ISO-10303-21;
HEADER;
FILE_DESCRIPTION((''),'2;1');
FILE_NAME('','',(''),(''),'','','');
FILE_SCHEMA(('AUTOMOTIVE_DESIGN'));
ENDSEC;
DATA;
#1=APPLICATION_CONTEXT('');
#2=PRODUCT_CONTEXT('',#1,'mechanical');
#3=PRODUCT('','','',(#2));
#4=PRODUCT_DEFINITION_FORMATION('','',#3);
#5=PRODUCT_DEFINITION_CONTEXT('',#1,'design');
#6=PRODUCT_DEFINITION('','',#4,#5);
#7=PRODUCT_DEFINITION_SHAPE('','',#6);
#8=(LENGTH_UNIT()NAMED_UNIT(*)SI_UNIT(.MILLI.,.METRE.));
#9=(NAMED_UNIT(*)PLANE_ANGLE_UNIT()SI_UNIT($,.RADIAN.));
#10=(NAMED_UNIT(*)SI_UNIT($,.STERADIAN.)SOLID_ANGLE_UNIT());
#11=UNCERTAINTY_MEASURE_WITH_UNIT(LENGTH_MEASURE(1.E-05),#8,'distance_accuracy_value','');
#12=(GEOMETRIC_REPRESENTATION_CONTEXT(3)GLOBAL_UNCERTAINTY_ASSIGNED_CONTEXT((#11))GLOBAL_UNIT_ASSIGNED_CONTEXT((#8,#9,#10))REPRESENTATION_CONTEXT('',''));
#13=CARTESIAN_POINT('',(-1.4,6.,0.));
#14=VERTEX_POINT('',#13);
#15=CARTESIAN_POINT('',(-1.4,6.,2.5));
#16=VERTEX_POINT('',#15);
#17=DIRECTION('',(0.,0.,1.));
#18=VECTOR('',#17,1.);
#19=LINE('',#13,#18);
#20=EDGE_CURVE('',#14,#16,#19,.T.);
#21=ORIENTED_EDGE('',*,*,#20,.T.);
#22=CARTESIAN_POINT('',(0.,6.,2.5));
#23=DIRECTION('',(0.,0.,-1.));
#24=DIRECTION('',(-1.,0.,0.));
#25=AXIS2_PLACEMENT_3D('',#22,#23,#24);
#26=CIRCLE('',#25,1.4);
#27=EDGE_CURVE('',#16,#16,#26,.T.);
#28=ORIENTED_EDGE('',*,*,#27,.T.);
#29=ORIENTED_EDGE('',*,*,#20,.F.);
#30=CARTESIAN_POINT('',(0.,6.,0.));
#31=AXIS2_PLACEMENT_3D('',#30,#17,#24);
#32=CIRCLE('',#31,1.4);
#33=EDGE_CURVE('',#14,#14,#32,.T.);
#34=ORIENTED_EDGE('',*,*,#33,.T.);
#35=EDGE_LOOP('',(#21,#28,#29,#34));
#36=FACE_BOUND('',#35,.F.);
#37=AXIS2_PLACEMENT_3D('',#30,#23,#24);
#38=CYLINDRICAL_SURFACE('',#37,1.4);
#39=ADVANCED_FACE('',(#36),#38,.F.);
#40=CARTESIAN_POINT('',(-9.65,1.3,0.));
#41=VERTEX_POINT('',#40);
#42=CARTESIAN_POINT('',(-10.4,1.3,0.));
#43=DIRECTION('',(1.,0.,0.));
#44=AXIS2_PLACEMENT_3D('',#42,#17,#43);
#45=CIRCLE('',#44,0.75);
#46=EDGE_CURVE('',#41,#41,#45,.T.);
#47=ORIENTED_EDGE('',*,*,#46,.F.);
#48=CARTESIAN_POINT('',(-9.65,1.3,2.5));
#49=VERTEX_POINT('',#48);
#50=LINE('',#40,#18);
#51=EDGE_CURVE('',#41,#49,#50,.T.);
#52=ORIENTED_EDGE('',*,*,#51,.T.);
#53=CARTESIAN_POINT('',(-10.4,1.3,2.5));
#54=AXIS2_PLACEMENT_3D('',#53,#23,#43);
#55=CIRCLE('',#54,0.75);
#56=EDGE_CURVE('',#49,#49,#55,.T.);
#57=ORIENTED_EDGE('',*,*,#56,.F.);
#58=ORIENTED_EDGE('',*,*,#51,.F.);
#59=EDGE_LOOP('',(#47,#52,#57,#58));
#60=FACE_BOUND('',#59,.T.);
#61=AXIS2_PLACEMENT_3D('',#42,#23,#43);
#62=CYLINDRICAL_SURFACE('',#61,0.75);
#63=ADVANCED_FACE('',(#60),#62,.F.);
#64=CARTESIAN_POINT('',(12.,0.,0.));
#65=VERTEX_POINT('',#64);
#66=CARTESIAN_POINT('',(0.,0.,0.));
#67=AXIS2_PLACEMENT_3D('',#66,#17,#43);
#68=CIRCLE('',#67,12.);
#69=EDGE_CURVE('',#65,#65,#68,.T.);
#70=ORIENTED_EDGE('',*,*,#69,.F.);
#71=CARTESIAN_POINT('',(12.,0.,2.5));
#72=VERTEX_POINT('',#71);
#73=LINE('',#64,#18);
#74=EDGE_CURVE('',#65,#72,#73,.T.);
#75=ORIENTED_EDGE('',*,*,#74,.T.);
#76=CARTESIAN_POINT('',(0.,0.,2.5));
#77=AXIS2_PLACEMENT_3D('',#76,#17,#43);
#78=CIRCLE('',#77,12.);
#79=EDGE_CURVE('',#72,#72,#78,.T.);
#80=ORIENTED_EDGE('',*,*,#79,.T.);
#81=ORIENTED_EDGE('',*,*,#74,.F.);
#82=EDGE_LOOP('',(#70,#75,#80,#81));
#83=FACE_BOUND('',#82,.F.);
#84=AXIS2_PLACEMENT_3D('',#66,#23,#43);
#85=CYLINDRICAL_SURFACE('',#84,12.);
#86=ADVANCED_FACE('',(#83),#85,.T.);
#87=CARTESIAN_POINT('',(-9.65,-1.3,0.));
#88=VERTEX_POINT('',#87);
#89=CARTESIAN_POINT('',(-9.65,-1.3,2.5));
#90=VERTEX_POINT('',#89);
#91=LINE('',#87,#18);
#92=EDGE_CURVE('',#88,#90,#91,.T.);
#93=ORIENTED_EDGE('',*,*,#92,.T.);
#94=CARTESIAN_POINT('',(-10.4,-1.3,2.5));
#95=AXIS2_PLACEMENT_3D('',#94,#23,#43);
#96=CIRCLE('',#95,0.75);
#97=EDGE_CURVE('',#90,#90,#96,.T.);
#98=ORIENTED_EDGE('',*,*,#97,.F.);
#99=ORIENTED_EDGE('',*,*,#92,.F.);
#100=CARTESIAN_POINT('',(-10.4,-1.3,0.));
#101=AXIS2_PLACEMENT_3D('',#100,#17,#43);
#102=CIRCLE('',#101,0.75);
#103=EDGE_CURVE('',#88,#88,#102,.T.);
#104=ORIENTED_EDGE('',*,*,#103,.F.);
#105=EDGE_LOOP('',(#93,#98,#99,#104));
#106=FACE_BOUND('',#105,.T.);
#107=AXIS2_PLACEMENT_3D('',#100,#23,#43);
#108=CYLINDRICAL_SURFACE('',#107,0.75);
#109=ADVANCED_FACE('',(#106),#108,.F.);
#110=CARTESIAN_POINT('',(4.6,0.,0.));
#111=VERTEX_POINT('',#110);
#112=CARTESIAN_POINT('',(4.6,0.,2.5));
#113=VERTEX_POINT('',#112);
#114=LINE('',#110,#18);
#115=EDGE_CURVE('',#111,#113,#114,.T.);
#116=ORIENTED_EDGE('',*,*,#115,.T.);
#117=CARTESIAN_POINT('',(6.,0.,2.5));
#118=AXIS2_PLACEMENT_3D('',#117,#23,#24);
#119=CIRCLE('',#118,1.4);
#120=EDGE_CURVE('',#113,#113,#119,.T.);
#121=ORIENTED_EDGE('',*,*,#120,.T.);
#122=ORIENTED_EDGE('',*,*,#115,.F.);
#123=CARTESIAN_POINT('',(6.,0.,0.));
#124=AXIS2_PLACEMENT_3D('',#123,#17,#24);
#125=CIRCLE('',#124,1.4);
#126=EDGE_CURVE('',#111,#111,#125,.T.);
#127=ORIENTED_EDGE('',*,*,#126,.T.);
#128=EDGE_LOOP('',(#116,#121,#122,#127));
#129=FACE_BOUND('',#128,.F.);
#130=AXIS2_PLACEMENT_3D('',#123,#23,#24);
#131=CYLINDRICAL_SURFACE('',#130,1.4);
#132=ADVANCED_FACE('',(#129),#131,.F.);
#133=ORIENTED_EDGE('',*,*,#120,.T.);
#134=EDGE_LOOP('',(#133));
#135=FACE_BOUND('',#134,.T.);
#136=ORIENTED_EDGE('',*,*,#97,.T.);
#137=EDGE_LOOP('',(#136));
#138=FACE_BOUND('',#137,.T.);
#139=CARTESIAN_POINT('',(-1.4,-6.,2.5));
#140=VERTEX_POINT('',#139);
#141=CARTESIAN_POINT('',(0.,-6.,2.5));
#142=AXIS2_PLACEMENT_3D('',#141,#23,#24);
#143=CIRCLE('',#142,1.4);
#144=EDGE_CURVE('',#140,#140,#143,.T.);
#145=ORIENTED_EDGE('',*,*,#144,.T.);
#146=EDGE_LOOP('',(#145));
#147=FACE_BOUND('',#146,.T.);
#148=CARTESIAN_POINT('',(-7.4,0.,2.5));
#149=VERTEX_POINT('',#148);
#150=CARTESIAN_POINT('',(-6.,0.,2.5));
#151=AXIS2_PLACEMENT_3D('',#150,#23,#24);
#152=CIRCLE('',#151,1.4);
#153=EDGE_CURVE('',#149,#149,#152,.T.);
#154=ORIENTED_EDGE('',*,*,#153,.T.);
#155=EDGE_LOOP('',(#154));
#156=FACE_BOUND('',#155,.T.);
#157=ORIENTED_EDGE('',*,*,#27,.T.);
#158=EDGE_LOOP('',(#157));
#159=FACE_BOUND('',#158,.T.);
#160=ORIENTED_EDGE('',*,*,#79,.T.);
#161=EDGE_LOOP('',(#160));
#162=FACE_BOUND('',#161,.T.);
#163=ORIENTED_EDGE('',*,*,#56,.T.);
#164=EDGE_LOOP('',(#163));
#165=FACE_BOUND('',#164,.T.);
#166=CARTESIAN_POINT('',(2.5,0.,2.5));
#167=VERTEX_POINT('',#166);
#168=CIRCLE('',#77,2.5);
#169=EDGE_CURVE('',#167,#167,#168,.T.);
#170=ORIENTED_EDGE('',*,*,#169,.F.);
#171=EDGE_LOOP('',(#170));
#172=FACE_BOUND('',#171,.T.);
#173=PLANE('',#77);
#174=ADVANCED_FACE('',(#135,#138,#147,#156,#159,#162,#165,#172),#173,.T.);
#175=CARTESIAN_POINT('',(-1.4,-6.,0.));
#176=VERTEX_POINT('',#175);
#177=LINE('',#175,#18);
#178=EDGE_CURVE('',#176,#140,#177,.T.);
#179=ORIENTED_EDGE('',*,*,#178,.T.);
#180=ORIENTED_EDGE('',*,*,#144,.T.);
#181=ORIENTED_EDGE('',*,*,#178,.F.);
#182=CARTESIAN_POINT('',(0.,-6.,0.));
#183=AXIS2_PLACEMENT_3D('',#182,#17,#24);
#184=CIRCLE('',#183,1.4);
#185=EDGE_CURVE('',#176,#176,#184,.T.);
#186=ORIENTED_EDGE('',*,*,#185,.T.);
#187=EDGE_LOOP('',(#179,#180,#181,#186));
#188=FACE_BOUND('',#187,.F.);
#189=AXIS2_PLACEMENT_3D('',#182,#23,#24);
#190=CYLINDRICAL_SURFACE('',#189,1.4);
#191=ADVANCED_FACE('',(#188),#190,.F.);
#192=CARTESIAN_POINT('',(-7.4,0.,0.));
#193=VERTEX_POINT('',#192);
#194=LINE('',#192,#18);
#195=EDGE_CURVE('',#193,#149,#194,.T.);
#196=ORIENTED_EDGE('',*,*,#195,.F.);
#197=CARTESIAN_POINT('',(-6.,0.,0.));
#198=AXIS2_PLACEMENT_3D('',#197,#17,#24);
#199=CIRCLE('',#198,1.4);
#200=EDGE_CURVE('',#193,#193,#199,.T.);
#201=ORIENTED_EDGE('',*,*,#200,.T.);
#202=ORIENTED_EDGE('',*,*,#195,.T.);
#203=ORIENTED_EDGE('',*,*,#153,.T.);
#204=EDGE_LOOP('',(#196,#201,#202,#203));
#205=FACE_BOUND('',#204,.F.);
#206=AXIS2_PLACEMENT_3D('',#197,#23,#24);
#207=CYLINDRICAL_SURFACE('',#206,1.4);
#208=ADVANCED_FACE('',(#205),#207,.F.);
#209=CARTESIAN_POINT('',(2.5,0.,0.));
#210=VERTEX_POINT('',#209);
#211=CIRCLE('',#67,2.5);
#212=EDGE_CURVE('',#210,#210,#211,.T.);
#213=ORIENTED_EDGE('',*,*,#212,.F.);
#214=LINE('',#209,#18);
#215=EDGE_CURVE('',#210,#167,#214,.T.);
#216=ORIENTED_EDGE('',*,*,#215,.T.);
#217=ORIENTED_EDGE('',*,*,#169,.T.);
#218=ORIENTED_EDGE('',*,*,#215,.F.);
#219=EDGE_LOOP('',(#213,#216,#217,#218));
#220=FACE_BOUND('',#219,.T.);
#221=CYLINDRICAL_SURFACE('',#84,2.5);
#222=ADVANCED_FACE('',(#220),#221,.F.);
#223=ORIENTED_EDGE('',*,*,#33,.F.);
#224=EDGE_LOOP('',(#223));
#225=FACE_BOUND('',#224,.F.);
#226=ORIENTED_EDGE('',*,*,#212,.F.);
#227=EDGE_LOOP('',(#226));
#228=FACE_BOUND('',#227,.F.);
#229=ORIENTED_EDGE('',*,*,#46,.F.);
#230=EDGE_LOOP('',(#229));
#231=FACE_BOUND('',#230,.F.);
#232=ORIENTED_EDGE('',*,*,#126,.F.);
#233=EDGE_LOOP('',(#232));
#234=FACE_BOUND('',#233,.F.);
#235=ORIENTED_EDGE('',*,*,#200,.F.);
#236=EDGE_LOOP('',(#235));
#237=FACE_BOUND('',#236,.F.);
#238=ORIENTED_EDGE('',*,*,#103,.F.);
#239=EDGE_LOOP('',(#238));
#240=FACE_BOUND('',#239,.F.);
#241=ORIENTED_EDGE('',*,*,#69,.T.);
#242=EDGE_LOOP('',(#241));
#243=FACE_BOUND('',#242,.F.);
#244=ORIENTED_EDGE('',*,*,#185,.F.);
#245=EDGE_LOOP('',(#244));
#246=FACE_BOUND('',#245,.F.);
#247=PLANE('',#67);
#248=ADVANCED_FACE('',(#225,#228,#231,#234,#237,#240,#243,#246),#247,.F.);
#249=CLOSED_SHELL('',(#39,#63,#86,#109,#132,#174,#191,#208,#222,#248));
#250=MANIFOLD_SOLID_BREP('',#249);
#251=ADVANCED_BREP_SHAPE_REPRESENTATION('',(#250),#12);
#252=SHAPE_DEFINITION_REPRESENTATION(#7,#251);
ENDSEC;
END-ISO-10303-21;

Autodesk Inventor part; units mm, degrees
ref_plane "YZ Plane" through (0, 0, 0) normal (1, 0, 0) x (0, 1, 0)
ref_plane "XZ Plane" through (0, 0, 0) normal (0, 1, 0) x (-1, 0, 0)
ref_plane "XY Plane" through (0, 0, 0) normal (0, 0, 1) x (1, 0, 0)
sketch "Skizze1" plane through (0, 0, 0) normal (0, 0, 1) x (1, 0, 0)
  circle A0 centre (0, 0) radius 12
  circle A1 centre (0, 0) radius 2.5
  dimension "d0" = 24
  dimension "d1" = 5
extrude "Extrusion1" add sketch "Skizze1" along normal blind 2.5
sketch "Skizze2" plane through (0, 0, 0) normal (0, 0, 1) x (1, 0, 0)
  circle A0 centre (-10.4, -1.3) radius 0.75
  circle A1 centre (-10.4, 1.3) radius 0.75
  line L0 (-13.98, 0) -> (2.33, 0) projected
  line L1 (0, 2.87) -> (0, -2.87) projected
  point P0 (0, 0)
  dimension "d4" = 1.5
  dimension "d5" = 1.5
  dimension "d6" = 1.3
  dimension "d7" = 1.3
  dimension "d8" = 10.4
  dimension "d9" = 10.4
extrude "Extrusion2" cut sketch "Skizze2" along normal blind 6.75
sketch "Skizze3" plane through (0, 0, 0) normal (0, 0, -1) x (-1, 0, 0)
  circle A0 centre (0, 6) radius 1.4
  line L0 (-16.8, 0) -> (16.8, 0) projected
  line L1 (0, -16.8) -> (0, 16.8) projected
  circle A1 centre (-6, 0) radius 1.4
  circle A2 centre (0, -6) radius 1.4
  circle A3 centre (6, 0) radius 1.4
  point P0 (0, 0)
  point P1 (7.4, 0)
  point P2 (4.6, 0)
  point P3 (-4.6, 0)
  point P4 (-7.4, 0)
  point P5 (0, -4.6)
  point P6 (0, -7.4)
  point P7 (0, 4.6)
  point P8 (0, 7.4)
  dimension "d12" = 2.8
  dimension "d13" = 6
  dimension "d14" = 0
  dimension "d20" = 360
extrude "Extrusion3" cut sketch "Skizze3" against normal blind 6.75
properties part number "_3D-Druck"
